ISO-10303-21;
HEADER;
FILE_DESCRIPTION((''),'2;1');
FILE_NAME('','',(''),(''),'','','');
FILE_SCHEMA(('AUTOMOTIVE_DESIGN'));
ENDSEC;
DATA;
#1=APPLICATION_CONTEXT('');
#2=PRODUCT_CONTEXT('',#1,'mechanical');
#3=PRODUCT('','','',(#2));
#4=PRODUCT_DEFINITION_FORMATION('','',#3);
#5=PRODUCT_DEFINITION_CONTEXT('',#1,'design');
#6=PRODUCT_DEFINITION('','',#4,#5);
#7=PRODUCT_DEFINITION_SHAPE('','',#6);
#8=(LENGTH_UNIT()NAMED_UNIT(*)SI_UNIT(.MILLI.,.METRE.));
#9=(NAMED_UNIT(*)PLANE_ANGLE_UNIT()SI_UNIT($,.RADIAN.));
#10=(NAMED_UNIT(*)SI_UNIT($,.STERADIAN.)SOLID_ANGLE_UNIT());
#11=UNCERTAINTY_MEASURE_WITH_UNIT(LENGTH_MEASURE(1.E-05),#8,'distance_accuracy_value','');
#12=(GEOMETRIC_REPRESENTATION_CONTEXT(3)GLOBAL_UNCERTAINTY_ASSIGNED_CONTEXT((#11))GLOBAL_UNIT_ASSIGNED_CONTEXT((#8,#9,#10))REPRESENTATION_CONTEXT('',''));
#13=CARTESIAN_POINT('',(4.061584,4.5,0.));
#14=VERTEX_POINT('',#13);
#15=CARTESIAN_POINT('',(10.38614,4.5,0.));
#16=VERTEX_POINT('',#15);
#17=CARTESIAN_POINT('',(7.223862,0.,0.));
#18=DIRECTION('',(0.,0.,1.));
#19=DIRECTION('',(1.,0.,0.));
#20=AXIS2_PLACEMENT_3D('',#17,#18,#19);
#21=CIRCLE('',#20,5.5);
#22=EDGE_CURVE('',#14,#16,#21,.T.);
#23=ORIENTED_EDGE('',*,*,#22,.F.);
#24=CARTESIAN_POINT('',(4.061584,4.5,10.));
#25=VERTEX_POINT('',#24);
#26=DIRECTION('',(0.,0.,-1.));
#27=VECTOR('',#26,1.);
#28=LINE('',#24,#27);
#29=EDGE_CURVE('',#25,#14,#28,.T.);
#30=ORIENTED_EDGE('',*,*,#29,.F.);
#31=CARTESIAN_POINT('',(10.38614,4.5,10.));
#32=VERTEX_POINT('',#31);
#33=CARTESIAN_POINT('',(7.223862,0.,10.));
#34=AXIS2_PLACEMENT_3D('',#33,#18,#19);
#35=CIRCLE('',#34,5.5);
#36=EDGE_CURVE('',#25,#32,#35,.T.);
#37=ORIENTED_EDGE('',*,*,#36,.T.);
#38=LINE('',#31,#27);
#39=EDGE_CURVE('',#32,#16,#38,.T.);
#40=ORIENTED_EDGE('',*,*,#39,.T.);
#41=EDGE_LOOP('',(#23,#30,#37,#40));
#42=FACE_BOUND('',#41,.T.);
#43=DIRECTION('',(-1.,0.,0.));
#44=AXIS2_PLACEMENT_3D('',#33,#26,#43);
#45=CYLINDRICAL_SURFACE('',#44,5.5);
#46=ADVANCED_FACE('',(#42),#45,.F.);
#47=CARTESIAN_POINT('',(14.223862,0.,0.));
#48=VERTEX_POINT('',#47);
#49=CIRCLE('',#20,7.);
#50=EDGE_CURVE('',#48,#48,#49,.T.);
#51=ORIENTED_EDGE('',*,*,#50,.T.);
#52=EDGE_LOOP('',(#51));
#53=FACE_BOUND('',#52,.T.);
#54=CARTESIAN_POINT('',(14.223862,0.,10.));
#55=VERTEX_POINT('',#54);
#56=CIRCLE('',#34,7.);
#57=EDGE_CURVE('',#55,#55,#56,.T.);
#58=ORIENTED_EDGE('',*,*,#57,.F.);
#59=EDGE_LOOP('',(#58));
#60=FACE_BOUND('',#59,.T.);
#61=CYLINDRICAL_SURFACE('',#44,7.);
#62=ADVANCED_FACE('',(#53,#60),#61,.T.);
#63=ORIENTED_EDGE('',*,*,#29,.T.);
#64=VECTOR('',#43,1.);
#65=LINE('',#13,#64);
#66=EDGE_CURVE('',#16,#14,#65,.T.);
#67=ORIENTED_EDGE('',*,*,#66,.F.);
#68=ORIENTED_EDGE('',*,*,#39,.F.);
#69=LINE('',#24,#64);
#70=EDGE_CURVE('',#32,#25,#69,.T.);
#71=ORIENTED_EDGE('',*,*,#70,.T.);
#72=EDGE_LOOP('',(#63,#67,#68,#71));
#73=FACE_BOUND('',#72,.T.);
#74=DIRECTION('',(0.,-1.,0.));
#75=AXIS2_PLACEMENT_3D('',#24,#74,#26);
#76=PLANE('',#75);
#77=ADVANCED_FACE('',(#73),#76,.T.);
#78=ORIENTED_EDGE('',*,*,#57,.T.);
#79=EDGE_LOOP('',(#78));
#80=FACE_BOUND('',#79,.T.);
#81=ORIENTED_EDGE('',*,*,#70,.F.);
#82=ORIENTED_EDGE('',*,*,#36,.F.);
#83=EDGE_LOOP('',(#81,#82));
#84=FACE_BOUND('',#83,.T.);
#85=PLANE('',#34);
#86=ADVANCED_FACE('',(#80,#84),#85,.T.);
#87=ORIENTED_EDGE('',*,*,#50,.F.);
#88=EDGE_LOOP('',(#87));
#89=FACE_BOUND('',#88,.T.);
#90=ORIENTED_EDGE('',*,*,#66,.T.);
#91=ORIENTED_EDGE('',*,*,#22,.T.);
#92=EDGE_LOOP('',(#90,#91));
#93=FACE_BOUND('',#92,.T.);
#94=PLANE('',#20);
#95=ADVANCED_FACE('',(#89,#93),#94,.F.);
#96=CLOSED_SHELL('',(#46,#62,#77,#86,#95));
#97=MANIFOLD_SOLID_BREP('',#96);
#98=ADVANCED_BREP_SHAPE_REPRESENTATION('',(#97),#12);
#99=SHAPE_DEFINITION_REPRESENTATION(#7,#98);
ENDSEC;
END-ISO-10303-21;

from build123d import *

# Parameters (mm, degrees)
SKETCH1_R           = 7
BOSS_EXTRUDE2_DEPTH = 10


with BuildPart() as part:
    # Sketch1 → Boss-Extrude2 (new body)
    with BuildSketch(Plane.XY):
        with Locations((7.223861929, 0)):
            Circle(SKETCH1_R)
        with BuildLine():
            Line((4.061584269, 4.5), (10.386139589, 4.5))
            ThreePointArc((10.386139589, 4.5), (7.223861929, -5.5), (4.061584269, 4.5))
        make_face(mode=Mode.SUBTRACT)
    extrude(amount=BOSS_EXTRUDE2_DEPTH)


solid = part.part
